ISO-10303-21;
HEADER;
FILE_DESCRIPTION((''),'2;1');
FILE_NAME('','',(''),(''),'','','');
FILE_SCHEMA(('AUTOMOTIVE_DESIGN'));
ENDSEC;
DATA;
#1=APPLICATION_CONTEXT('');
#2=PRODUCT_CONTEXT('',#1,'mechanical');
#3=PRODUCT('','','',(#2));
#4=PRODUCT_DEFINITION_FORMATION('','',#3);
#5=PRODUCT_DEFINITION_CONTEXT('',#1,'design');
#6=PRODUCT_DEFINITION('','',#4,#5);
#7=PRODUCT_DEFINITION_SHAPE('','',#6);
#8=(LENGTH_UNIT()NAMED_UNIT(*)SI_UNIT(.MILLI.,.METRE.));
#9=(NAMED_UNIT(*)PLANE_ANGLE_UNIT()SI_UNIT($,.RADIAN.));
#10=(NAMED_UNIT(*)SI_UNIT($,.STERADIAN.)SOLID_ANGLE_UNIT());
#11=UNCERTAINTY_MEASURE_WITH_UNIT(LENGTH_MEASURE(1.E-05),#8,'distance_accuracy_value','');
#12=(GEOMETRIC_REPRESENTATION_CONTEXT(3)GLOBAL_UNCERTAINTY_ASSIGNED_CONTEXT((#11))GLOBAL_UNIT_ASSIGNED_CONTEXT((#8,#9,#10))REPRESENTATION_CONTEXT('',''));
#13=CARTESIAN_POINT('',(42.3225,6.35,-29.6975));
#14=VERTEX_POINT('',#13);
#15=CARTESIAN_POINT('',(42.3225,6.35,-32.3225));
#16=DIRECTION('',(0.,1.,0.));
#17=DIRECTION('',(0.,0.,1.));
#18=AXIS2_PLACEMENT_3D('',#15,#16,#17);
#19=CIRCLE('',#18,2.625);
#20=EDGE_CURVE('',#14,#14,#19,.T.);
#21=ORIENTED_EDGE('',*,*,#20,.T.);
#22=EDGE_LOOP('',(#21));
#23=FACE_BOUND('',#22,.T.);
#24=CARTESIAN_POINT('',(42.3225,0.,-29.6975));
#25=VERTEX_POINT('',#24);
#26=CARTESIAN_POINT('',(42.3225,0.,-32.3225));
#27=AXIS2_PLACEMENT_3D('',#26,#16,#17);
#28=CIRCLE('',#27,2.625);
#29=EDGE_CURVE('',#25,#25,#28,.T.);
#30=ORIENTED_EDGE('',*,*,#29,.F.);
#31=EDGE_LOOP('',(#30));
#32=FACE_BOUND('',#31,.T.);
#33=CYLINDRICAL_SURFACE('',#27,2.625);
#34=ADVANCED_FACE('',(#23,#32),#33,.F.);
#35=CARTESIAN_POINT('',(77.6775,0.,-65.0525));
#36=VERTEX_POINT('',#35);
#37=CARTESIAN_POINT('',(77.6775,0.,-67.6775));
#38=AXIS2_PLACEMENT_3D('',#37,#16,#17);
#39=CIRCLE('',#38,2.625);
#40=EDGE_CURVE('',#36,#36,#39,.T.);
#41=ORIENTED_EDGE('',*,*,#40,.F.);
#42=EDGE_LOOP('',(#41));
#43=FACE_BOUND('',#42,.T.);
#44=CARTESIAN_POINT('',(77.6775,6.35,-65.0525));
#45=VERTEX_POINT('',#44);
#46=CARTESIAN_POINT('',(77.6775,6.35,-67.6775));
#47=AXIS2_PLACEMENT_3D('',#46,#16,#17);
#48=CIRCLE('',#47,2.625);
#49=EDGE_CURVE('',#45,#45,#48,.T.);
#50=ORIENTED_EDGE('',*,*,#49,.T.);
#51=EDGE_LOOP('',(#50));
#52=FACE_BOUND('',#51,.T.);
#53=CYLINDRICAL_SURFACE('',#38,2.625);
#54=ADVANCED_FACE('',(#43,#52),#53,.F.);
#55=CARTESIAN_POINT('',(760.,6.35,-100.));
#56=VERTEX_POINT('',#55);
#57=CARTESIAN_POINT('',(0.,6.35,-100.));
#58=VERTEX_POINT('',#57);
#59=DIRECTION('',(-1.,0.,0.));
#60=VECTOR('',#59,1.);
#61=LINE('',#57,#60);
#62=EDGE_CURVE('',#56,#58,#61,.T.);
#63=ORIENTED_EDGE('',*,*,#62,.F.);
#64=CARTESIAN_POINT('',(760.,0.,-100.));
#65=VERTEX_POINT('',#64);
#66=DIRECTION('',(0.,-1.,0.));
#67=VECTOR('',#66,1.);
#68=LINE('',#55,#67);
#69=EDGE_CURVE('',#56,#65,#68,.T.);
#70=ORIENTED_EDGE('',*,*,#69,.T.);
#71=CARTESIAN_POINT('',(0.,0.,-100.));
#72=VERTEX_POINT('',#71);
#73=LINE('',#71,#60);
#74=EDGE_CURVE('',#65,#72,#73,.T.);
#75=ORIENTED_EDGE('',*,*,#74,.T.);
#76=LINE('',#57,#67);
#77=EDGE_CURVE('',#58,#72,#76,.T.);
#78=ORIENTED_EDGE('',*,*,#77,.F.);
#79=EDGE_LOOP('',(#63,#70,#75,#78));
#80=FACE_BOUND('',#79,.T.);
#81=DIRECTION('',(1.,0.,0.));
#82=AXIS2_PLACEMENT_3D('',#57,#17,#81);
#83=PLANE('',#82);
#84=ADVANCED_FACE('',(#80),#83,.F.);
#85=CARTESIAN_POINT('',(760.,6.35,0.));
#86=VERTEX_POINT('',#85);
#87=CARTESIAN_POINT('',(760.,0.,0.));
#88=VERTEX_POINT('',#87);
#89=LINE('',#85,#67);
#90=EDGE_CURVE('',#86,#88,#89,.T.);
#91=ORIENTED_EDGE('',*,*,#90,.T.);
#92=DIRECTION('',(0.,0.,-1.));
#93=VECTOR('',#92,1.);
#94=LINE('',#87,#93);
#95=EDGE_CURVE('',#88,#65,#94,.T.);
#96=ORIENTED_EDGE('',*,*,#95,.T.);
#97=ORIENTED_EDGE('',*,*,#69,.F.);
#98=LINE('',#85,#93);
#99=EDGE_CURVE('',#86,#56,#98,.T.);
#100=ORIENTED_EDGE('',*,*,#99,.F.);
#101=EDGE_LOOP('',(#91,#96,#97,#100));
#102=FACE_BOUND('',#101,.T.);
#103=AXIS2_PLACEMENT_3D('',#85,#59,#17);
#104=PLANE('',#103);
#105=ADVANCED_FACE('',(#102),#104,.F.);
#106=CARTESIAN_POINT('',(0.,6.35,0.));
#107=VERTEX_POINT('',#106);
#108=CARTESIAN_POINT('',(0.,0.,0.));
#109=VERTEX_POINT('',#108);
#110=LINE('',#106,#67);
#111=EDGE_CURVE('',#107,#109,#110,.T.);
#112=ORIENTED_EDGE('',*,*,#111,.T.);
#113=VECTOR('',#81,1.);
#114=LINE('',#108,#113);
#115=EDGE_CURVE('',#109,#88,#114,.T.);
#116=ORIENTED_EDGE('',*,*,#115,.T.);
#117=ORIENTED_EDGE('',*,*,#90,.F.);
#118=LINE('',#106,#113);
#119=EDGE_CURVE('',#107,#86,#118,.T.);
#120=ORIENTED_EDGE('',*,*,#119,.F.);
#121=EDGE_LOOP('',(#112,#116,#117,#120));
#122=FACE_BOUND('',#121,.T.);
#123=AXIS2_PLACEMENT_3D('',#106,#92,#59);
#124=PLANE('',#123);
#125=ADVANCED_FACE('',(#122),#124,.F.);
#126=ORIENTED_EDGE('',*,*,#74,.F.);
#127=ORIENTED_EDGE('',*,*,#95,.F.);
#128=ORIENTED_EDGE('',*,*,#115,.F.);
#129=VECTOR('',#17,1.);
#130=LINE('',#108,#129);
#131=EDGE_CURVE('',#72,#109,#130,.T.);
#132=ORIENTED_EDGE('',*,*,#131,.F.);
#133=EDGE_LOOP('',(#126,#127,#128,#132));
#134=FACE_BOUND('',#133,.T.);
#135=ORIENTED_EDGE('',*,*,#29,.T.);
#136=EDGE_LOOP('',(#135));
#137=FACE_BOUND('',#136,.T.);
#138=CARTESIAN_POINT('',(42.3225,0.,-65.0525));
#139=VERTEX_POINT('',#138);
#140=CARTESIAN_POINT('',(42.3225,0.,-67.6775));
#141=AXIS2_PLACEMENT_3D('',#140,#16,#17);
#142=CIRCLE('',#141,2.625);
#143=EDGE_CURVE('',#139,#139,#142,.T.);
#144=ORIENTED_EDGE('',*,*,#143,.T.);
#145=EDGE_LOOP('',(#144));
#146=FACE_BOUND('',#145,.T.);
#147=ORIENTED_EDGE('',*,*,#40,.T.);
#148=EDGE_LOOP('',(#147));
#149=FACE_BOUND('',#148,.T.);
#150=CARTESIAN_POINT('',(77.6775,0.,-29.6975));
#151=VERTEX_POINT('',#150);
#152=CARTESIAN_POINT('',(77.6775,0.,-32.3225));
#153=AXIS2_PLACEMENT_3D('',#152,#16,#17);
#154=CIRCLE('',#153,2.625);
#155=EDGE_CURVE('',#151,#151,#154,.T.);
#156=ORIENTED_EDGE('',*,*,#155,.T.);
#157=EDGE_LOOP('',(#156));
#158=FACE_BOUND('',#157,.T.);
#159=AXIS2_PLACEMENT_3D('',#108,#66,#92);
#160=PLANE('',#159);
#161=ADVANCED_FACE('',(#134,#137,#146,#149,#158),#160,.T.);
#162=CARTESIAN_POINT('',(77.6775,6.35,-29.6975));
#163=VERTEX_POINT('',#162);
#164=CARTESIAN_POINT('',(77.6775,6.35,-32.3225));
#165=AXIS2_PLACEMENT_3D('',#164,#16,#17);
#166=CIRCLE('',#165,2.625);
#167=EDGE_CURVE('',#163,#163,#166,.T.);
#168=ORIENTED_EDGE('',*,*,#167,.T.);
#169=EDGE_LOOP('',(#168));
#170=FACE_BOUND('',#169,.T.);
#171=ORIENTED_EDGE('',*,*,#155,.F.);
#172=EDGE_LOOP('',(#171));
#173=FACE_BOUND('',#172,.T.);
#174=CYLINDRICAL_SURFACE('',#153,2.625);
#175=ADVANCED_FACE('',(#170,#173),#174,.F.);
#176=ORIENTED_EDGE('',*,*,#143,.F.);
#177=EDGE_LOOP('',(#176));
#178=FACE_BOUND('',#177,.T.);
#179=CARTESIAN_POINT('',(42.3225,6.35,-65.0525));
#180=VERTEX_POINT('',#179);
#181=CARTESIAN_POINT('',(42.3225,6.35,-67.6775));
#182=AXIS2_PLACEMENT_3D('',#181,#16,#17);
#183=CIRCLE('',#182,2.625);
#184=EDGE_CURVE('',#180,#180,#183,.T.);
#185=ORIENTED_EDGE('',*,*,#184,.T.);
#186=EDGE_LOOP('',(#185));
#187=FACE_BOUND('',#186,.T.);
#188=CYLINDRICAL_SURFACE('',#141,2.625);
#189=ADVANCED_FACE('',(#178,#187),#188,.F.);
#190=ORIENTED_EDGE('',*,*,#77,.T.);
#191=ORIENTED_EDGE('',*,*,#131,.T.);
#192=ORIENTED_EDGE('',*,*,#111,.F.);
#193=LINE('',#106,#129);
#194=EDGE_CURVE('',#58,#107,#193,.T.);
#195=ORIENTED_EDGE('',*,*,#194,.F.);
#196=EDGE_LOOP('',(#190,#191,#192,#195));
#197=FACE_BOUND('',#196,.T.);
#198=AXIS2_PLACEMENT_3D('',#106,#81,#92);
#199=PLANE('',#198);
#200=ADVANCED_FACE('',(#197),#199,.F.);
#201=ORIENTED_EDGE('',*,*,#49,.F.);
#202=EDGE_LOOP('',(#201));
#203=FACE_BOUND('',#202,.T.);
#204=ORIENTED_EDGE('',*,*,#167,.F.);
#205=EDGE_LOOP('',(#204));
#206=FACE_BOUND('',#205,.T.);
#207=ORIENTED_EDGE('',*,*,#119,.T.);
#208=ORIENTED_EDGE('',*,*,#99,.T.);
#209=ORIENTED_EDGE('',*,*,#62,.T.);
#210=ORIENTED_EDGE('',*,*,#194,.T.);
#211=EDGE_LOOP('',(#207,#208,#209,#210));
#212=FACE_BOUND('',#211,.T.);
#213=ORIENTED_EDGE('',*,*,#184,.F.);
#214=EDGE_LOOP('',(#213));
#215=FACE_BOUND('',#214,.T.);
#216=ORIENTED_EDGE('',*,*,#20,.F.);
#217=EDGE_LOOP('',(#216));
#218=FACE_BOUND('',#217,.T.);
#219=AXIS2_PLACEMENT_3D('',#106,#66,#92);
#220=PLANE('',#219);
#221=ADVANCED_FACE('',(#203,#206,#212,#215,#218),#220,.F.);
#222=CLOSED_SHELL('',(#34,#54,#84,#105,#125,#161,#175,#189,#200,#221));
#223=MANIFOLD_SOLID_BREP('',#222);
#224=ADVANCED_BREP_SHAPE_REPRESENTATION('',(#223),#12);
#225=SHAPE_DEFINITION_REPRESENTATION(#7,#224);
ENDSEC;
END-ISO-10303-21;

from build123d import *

# Parameters (mm, degrees)
SKETCH1_W           = 760
SKETCH1_H           = 100
BOSS_EXTRUDE1_DEPTH = 6.35
SKETCH2_R           = 2.625
CUT_EXTRUDE1_DEPTH  = 767.577016679


with BuildPart() as part:
    # Sketch1 → Boss-Extrude1 (new body)
    with BuildSketch(Plane(origin=(0, 0, 0), x_dir=(1, 0, 0), z_dir=(0, 1, 0))):
        with Locations((380, 50)):
            Rectangle(SKETCH1_W, SKETCH1_H)
    extrude(amount=BOSS_EXTRUDE1_DEPTH)

    # Sketch2 → Cut-Extrude1 (cut, through all)
    with BuildSketch(Plane(origin=(0, 6.35, 0), x_dir=(1, 0, 0), z_dir=(0, 1, 0))):
        with Locations(Location((42.3225, 67.6775, 0), (0, 0, 270))):
            Circle(SKETCH2_R)
        with Locations(Location((77.6775, 67.6775, 0), (0, 0, 270))):
            Circle(SKETCH2_R)
        with Locations(Location((77.6775, 32.3225, 0), (0, 0, 270))):
            Circle(SKETCH2_R)
        with Locations(Location((42.3225, 32.3225, 0), (0, 0, 270))):
            Circle(SKETCH2_R)
    extrude(amount=-CUT_EXTRUDE1_DEPTH, mode=Mode.SUBTRACT)


solid = part.part
